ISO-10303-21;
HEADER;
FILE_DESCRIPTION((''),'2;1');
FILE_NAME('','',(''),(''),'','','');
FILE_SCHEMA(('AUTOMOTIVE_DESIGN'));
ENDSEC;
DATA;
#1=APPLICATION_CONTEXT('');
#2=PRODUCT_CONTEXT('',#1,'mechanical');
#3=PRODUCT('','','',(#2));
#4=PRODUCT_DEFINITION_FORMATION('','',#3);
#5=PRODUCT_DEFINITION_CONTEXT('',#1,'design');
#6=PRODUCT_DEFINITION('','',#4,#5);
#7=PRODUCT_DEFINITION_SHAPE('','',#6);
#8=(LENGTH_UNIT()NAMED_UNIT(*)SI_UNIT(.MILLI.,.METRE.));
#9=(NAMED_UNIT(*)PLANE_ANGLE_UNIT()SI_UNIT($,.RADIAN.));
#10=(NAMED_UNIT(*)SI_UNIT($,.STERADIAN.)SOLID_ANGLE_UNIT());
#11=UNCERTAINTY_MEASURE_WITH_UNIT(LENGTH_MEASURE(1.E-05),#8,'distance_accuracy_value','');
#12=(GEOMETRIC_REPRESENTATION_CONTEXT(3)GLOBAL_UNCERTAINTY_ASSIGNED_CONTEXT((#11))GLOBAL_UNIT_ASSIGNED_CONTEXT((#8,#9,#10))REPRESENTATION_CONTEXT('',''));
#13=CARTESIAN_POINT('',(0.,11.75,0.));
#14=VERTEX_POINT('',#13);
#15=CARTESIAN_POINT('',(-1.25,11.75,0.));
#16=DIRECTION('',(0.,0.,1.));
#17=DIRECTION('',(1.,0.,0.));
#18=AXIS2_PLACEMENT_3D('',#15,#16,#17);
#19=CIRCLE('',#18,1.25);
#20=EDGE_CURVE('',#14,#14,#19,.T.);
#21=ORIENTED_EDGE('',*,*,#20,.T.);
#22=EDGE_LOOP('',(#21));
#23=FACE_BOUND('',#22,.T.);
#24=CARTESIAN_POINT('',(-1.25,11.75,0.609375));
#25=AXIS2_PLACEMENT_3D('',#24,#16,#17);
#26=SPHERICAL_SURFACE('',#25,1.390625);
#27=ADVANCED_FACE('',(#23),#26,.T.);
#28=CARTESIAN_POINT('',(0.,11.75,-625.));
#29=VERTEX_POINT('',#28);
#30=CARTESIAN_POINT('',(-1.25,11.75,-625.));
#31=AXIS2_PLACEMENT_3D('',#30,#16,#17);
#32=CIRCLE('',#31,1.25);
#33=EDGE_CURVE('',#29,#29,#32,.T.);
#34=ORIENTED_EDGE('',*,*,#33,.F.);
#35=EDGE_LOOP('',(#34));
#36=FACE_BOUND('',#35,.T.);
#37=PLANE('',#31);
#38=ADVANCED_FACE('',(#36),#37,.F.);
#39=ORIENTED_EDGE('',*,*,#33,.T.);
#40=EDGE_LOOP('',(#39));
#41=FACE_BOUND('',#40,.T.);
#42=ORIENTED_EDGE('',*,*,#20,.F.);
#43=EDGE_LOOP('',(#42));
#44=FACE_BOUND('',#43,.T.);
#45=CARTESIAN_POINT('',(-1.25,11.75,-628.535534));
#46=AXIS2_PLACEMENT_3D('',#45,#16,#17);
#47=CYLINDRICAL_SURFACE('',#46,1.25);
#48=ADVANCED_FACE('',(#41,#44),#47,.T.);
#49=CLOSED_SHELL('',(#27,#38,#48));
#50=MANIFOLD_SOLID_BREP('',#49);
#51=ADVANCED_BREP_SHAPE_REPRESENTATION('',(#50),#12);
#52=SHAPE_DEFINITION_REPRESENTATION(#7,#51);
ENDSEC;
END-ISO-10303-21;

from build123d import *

# Parameters (mm, degrees)
SKETCH1_R           = 1.25
BOSS_EXTRUDE2_DEPTH = 625
DOME1_FACE_RADIUS   = 1.25
DOME1_HEIGHT        = 2


with BuildPart() as part:
    # Sketch1 → Boss-Extrude2 (new body)
    with BuildSketch(Plane.XY):
        with Locations((-1.25, 11.75)):
            Circle(SKETCH1_R)
    extrude(amount=-BOSS_EXTRUDE2_DEPTH)

    # Dome1: a dome of height H over a round flat face of radius A is a cap of a sphere of radius (A * A + H * H) / (2 * H)
    dome1_r = (DOME1_FACE_RADIUS * DOME1_FACE_RADIUS + DOME1_HEIGHT * DOME1_HEIGHT) / (2 * DOME1_HEIGHT)
    dome1_base = Plane((-1.25, 11.75, 0), z_dir=(0, 0, 1))
    with Locations(dome1_base.offset(DOME1_HEIGHT - dome1_r)):
        dome1_ball = Sphere(dome1_r, mode=Mode.PRIVATE)
    add(split(dome1_ball, bisect_by=dome1_base, keep=Keep.TOP, mode=Mode.PRIVATE))


solid = part.part
